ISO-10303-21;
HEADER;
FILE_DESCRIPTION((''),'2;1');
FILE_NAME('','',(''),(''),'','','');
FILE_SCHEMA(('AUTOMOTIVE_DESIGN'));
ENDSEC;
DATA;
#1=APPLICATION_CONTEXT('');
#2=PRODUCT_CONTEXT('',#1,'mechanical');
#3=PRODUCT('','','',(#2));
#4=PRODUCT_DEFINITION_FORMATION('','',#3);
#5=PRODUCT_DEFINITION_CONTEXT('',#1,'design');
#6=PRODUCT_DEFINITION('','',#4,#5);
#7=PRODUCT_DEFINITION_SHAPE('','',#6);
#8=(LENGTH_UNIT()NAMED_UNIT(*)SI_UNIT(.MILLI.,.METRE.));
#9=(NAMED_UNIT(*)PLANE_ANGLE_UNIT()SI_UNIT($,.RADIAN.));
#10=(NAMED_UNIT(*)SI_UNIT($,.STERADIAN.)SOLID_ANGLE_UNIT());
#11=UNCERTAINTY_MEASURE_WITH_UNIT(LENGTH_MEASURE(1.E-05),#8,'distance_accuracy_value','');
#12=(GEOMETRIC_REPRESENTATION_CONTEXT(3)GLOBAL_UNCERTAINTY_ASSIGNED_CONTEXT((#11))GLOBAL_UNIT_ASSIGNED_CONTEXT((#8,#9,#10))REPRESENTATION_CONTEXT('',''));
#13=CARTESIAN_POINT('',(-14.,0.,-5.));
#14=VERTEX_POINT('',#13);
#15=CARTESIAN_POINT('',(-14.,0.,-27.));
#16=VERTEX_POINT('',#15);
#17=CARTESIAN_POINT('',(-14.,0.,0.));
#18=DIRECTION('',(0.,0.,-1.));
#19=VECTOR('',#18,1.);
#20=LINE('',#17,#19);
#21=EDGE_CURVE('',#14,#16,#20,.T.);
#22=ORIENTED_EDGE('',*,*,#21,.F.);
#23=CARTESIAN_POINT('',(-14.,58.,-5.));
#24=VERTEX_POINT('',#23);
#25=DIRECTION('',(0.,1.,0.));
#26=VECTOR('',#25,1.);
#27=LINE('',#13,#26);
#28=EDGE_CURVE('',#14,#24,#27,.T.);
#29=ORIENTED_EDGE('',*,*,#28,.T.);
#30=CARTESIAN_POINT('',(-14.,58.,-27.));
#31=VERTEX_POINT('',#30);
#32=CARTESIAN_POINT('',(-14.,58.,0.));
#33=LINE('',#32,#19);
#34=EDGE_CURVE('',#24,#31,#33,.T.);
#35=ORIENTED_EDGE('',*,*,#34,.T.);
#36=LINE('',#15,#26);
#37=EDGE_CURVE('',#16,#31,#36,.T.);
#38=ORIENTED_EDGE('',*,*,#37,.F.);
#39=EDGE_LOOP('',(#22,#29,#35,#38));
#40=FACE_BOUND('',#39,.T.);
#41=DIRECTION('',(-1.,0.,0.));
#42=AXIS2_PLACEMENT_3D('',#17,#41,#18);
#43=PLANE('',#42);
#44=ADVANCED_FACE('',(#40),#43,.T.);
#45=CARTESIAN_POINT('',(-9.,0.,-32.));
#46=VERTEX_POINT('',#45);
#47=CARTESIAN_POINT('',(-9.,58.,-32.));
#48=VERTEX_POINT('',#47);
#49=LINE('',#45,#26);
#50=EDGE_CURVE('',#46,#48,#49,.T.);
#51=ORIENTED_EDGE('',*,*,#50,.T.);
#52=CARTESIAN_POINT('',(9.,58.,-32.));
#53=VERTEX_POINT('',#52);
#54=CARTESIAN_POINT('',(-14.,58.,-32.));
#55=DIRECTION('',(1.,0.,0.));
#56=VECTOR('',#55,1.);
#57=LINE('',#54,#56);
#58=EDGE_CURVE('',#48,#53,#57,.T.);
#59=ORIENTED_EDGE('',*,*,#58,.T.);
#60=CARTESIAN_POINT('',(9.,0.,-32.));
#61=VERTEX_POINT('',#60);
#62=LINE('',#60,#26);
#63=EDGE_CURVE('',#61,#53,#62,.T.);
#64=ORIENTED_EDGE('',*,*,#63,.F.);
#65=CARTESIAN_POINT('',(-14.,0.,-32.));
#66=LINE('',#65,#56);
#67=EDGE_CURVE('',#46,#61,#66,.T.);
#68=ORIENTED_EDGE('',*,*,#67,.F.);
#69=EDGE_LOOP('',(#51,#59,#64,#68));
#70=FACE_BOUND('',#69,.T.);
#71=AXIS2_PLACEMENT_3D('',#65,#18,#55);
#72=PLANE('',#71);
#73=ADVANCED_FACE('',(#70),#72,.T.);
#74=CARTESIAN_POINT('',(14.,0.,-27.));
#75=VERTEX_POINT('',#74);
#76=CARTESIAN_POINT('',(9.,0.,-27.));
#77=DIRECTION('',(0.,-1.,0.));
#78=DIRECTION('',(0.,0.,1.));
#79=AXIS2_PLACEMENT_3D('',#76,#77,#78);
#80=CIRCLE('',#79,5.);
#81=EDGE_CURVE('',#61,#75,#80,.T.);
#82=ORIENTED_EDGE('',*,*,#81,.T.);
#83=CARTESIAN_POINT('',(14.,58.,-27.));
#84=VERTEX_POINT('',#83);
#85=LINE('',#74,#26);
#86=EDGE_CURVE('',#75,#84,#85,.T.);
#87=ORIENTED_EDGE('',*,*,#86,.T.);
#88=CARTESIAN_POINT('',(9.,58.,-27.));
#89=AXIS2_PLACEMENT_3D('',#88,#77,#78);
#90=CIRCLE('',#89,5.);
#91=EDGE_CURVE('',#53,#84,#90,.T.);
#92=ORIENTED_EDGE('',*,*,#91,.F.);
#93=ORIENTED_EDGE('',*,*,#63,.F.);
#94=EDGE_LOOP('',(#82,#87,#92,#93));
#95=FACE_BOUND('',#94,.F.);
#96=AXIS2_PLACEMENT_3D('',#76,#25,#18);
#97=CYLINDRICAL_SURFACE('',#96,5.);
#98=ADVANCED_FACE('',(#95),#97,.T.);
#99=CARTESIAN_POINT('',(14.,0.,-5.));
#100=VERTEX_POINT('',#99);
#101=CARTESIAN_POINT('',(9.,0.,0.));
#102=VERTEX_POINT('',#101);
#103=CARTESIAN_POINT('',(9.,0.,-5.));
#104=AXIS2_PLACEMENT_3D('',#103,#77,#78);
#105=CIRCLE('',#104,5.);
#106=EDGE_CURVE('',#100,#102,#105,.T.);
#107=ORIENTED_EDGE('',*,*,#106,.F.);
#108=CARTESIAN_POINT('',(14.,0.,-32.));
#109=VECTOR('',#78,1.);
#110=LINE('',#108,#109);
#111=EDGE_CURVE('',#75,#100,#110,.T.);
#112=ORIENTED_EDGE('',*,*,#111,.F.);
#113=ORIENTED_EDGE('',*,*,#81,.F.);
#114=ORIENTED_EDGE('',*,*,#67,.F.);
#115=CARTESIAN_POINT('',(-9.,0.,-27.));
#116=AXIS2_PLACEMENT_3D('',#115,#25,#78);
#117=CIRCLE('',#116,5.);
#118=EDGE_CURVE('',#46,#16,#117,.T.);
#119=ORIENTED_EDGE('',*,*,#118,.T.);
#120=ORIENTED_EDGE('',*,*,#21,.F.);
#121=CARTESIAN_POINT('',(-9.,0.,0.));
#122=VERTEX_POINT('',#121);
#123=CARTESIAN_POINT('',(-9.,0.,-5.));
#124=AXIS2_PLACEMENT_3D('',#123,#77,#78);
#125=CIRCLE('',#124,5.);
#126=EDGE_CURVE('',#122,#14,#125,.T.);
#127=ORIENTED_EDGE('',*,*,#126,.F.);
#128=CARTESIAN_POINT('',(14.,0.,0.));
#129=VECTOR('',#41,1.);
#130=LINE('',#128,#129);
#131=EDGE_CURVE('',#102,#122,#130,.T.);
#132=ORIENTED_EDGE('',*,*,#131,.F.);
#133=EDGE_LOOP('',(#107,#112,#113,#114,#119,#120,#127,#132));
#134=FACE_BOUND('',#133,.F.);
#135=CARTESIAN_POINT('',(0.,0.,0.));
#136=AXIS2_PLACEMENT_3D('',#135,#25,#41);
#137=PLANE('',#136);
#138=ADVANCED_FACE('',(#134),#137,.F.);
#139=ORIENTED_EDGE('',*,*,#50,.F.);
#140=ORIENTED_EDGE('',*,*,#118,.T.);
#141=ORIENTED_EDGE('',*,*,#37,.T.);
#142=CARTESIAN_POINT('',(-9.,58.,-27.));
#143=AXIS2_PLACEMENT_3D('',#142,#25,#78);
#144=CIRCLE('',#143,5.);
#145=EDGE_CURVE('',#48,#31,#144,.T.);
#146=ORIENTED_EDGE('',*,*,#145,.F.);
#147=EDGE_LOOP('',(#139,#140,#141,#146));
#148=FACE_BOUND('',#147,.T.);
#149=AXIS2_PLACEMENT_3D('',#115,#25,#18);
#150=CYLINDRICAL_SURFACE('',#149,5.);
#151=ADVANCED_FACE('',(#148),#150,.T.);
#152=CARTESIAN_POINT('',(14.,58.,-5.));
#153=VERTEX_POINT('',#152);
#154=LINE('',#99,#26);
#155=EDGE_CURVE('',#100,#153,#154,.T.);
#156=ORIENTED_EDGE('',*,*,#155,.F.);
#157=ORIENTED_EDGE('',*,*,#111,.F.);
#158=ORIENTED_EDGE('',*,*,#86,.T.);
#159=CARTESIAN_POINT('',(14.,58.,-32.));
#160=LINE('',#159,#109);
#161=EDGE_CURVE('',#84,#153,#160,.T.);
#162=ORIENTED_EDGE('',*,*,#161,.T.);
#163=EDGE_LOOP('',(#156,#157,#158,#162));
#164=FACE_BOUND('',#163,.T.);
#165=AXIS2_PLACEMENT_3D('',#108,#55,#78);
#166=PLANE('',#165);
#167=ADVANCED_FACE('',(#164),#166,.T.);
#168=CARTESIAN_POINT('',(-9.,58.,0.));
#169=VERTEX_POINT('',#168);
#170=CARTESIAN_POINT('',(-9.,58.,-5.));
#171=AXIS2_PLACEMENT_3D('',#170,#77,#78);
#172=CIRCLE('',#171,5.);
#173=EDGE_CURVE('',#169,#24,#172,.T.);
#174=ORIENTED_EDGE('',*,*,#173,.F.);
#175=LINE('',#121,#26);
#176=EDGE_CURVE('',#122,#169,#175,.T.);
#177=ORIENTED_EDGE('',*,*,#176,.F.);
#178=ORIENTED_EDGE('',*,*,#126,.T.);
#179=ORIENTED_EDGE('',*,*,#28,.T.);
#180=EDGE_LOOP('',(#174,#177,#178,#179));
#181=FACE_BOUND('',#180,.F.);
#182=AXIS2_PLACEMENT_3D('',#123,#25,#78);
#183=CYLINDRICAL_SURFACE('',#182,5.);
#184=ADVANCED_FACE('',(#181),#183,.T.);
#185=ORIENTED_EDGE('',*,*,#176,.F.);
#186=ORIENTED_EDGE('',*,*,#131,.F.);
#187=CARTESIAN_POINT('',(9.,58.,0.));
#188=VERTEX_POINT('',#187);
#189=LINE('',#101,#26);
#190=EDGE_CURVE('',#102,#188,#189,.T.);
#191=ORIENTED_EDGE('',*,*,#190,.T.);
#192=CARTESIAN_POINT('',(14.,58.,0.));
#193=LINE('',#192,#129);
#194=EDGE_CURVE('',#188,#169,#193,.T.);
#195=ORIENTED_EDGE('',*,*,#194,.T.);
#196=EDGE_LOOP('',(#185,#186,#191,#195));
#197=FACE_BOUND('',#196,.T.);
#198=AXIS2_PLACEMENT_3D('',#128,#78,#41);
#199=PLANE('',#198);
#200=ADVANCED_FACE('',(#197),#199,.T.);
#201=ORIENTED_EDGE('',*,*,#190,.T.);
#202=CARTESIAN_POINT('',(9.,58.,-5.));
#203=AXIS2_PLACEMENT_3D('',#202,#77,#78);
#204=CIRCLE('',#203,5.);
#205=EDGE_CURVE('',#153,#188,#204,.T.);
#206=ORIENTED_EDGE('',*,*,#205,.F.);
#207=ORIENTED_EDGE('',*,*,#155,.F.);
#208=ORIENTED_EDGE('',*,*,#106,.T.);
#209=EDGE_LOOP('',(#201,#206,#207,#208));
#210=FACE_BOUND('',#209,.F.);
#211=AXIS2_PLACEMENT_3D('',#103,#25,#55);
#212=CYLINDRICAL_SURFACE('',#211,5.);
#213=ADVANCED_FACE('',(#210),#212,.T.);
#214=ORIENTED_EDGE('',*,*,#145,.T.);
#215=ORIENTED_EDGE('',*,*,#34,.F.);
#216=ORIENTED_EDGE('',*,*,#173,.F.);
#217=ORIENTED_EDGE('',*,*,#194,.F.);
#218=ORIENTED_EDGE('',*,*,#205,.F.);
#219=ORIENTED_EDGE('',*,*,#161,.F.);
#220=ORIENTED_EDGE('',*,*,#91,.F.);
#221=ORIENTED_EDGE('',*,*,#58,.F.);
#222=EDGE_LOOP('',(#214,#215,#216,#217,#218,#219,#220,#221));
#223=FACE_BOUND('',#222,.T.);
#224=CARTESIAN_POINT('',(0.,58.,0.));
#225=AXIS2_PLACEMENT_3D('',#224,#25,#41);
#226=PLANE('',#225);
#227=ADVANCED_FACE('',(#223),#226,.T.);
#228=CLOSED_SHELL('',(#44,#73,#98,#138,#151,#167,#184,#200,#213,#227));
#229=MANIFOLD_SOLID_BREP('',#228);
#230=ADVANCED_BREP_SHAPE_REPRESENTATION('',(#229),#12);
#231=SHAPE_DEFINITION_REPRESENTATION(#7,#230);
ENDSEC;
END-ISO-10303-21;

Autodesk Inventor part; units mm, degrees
ref_plane "YZ Plane" through (0, 0, 0) normal (1, 0, 0) x (0, 1, 0)
ref_plane "XZ Plane" through (0, 0, 0) normal (0, 1, 0) x (-1, 0, 0)
ref_plane "XY Plane" through (0, 0, 0) normal (0, 0, 1) x (1, 0, 0)
sketch "スケッチ1" plane through (0, 0, 0) normal (0, 1, 0) x (-1, 0, 0)
  line L0 (14, -32) -> (-14, -32)
  line L1 (-14, -32) -> (-14, 0)
  line L2 (-14, 0) -> (14, 0)
  line L3 (14, 0) -> (14, -32)
  point P0 (0, 0)
  point P1 (0, 0)
  dimension "d0" = 28
  dimension "d1" = 32
extrude "押し出し1" add sketch "スケッチ1" along normal blind 58
fillet "フィレット1" radius 5 4 edges at (14, 29, 0) (-14, 29, 0) (14, 29, -32) (-14, 29, -32)
properties part number "BH343"
